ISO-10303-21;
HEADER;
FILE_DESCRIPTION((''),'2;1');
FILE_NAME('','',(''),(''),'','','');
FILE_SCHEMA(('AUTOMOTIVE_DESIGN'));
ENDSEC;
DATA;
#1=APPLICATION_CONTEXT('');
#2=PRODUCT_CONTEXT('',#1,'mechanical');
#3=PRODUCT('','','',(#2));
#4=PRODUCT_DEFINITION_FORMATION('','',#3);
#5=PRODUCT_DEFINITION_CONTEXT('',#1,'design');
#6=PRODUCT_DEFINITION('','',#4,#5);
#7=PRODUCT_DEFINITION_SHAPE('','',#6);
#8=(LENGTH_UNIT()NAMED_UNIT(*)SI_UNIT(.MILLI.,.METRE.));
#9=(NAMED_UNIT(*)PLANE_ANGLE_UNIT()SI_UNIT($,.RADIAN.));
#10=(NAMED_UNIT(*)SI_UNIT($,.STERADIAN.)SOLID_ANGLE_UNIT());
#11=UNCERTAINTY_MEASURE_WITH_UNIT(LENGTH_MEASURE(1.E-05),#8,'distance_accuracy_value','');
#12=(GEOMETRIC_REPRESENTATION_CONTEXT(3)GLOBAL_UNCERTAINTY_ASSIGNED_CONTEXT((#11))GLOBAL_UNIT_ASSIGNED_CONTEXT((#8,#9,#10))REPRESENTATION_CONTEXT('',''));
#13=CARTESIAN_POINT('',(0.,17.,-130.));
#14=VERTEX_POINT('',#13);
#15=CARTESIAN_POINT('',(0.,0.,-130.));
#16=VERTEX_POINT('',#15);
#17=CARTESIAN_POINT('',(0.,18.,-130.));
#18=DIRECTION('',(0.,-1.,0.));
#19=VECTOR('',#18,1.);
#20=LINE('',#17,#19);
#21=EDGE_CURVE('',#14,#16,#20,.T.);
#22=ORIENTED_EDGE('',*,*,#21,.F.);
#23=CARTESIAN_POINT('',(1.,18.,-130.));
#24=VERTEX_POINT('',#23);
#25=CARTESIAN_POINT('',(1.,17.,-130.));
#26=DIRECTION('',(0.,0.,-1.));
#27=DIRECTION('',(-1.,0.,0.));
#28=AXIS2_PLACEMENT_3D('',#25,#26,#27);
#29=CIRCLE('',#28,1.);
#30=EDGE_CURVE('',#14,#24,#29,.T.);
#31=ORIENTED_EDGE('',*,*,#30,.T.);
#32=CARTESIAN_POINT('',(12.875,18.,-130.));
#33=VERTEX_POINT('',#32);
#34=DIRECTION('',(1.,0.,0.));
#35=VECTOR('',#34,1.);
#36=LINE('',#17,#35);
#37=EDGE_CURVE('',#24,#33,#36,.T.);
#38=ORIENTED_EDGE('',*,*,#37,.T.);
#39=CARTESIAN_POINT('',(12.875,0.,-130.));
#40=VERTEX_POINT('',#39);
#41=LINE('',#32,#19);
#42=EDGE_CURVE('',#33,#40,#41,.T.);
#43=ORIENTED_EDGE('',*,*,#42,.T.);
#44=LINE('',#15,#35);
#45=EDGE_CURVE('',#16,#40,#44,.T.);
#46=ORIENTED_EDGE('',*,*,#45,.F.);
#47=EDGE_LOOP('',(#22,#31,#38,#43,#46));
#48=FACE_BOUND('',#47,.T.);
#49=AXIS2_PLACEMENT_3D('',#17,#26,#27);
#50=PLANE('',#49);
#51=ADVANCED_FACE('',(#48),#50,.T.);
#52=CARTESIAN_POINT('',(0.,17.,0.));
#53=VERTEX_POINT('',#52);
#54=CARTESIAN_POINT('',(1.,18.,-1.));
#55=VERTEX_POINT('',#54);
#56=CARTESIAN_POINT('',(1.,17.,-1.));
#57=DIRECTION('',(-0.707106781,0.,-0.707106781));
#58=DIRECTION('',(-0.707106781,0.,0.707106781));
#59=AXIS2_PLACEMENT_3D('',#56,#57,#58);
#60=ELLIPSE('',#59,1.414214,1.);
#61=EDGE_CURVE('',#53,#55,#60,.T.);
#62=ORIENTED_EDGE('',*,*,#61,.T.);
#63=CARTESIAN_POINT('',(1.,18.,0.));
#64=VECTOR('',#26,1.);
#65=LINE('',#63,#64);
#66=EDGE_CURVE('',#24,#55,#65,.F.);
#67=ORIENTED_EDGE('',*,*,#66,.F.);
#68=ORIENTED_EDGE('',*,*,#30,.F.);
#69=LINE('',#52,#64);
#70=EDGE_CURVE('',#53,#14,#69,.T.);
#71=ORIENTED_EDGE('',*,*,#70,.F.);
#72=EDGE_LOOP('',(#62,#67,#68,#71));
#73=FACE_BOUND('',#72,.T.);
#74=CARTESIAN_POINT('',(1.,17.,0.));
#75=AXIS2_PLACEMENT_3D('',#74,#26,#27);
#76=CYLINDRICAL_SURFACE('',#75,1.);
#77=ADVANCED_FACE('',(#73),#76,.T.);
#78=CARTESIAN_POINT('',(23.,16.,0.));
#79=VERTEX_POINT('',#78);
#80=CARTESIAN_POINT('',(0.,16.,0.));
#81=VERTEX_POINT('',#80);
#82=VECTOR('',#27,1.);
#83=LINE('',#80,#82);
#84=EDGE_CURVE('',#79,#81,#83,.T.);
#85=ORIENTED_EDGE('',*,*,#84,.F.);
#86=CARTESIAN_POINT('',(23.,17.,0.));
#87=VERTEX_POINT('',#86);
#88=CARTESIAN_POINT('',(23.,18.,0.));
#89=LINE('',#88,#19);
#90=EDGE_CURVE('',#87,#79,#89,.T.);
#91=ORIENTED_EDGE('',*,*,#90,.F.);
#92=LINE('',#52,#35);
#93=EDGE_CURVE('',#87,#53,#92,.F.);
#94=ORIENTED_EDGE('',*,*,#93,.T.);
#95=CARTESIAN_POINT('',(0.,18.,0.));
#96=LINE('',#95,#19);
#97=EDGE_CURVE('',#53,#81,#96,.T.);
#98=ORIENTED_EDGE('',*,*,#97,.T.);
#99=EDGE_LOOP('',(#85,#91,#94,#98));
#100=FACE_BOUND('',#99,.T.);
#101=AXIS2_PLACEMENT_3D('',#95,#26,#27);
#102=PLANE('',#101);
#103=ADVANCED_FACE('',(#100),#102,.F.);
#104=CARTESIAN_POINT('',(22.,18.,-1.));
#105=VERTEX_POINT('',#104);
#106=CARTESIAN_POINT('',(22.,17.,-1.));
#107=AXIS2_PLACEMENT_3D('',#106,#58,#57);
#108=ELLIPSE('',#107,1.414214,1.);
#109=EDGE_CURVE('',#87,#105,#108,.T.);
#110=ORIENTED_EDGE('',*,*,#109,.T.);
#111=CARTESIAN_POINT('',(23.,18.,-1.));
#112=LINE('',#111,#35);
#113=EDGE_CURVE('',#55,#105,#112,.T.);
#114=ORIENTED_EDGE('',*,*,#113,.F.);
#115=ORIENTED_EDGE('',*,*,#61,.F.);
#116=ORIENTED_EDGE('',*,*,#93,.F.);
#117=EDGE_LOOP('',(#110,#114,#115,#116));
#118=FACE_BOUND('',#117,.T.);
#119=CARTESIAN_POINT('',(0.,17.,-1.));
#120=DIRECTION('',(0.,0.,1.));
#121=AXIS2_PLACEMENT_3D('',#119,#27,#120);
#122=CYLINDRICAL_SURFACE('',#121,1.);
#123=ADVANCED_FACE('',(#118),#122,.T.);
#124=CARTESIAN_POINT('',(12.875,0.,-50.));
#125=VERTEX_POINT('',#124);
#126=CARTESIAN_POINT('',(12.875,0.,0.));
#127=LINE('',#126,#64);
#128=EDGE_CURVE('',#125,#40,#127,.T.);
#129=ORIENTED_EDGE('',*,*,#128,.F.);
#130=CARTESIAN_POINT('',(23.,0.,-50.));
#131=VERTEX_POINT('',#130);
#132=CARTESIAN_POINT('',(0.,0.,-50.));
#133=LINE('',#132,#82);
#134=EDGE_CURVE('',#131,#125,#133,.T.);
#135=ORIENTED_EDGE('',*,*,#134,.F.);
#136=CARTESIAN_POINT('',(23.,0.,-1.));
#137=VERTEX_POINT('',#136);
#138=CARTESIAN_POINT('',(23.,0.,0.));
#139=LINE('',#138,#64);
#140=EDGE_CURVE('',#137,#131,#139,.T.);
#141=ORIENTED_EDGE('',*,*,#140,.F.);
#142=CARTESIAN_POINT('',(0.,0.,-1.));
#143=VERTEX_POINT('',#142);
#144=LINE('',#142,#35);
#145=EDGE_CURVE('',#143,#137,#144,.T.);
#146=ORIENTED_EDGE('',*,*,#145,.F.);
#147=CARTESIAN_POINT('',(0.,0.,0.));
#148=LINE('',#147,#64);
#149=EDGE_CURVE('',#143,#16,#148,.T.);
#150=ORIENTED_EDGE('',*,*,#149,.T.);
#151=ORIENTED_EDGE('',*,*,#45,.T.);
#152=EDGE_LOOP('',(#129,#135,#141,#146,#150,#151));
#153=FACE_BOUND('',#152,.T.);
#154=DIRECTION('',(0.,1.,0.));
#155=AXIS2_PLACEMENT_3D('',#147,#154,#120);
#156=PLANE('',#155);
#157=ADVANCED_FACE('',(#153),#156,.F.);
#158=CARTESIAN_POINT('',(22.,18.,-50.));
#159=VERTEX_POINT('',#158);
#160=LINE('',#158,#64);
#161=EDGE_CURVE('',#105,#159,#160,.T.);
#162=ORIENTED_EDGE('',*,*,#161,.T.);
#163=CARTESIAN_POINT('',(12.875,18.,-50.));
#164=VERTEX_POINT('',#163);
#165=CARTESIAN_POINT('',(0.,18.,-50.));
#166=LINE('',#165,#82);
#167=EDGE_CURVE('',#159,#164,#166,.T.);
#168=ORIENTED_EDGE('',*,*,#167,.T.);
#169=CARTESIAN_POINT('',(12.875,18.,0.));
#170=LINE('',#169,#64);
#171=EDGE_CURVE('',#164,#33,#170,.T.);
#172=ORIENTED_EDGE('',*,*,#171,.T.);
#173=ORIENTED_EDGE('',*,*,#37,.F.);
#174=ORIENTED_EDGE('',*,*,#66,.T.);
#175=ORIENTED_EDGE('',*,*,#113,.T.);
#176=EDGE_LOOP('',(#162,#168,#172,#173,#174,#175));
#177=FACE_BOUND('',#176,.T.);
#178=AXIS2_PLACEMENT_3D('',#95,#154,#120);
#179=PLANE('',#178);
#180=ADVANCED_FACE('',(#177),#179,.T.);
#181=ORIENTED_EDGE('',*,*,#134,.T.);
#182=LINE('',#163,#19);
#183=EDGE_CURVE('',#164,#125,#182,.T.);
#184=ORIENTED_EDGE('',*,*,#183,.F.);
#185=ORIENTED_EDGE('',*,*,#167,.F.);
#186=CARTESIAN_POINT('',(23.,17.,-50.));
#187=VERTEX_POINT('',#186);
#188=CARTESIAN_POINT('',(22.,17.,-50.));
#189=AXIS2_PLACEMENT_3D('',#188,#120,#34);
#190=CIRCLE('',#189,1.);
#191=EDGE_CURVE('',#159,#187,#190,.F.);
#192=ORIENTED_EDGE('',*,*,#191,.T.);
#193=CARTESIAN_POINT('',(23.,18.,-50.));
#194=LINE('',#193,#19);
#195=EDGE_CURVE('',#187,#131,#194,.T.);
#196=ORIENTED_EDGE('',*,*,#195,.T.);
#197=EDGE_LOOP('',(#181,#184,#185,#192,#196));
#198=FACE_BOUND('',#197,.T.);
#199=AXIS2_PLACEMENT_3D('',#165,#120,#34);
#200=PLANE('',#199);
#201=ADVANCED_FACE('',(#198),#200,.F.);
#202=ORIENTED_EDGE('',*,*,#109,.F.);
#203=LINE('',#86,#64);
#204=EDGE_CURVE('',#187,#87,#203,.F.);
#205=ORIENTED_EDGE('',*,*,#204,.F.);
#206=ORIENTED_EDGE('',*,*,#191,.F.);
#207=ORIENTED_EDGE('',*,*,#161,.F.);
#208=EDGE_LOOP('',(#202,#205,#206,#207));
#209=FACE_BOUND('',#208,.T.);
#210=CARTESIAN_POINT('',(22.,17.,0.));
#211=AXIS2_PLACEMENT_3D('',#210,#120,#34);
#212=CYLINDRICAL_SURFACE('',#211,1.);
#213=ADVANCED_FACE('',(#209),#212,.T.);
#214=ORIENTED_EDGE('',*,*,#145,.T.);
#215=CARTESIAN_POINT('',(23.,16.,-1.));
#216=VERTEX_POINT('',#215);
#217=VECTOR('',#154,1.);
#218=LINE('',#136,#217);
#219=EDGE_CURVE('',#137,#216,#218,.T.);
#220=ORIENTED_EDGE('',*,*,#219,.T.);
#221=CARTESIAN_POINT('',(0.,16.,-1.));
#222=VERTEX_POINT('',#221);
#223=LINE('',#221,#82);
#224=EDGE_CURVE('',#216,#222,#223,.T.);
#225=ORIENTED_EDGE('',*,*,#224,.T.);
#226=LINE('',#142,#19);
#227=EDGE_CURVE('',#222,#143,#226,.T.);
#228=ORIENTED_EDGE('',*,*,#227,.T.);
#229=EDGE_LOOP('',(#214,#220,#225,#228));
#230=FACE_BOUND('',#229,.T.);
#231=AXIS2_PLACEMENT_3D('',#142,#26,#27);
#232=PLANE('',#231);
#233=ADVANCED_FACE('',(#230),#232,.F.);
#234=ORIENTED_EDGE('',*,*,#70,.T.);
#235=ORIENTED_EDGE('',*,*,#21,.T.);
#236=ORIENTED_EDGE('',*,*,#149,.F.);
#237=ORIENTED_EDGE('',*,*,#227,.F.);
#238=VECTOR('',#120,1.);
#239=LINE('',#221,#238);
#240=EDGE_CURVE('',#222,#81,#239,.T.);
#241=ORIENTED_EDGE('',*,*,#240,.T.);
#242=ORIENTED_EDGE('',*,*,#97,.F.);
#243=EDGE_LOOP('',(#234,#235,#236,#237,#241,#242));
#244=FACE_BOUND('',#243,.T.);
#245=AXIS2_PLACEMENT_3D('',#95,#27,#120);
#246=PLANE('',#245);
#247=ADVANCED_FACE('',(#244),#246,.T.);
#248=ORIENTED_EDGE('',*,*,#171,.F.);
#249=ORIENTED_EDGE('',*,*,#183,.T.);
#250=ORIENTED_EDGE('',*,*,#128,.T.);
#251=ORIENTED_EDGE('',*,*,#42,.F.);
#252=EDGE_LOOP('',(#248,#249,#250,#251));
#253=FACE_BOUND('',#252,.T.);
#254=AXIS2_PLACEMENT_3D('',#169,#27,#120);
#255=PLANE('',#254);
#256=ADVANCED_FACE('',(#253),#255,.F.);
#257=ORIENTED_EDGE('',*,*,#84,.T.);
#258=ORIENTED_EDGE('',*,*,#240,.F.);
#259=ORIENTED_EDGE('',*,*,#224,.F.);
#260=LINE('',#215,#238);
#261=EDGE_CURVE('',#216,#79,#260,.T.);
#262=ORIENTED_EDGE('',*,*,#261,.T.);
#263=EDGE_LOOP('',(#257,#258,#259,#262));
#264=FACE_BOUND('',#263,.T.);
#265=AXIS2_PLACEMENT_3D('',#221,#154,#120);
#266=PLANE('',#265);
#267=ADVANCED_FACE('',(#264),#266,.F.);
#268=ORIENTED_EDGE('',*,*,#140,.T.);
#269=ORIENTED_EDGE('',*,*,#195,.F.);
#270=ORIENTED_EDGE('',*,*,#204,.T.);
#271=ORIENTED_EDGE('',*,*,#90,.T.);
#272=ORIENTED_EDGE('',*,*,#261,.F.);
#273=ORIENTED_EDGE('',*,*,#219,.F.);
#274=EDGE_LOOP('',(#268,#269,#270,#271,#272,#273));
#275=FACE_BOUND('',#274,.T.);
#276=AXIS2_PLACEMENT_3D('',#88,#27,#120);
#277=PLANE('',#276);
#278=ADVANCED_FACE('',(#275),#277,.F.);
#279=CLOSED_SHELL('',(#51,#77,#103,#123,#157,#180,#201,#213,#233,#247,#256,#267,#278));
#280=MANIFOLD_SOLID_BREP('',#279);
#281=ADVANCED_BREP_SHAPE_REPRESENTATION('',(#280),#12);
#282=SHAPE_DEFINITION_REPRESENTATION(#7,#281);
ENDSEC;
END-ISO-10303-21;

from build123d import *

# Parameters (mm, degrees)
SALIENTE_EXTRUIR1_DEPTH = 18
CROQUIS3_W              = 23
CROQUIS3_H              = 16
CORTAR_EXTRUIR1_DEPTH   = 1
REDONDEO4_R             = 1


with BuildPart() as part:
    # Croquis2 → Saliente-Extruir1 (new body)
    with BuildSketch(Plane(origin=(0, 0, 0), x_dir=(1, 0, 0), z_dir=(0, 1, 0))):
        Polygon((0, 130), (0, 0), (23, 0), (23, 50), (12.875, 50), (12.875, 130), align=None)
    extrude(amount=SALIENTE_EXTRUIR1_DEPTH)

    # Croquis3 → Cortar-Extruir1 (cut)
    with BuildSketch(Plane.XY):
        with Locations((11.5, 8)):
            Rectangle(CROQUIS3_W, CROQUIS3_H)
    extrude(amount=-CORTAR_EXTRUIR1_DEPTH, mode=Mode.SUBTRACT)

    # Redondeo4
    redondeo4_edges = [part.edges().sort_by_distance(p)[0] for p in [
        (0, 18, -65),
        (11.5, 18, 0),
        (23, 18, -25),
    ]]
    fillet(redondeo4_edges, radius=REDONDEO4_R)


solid = part.part
